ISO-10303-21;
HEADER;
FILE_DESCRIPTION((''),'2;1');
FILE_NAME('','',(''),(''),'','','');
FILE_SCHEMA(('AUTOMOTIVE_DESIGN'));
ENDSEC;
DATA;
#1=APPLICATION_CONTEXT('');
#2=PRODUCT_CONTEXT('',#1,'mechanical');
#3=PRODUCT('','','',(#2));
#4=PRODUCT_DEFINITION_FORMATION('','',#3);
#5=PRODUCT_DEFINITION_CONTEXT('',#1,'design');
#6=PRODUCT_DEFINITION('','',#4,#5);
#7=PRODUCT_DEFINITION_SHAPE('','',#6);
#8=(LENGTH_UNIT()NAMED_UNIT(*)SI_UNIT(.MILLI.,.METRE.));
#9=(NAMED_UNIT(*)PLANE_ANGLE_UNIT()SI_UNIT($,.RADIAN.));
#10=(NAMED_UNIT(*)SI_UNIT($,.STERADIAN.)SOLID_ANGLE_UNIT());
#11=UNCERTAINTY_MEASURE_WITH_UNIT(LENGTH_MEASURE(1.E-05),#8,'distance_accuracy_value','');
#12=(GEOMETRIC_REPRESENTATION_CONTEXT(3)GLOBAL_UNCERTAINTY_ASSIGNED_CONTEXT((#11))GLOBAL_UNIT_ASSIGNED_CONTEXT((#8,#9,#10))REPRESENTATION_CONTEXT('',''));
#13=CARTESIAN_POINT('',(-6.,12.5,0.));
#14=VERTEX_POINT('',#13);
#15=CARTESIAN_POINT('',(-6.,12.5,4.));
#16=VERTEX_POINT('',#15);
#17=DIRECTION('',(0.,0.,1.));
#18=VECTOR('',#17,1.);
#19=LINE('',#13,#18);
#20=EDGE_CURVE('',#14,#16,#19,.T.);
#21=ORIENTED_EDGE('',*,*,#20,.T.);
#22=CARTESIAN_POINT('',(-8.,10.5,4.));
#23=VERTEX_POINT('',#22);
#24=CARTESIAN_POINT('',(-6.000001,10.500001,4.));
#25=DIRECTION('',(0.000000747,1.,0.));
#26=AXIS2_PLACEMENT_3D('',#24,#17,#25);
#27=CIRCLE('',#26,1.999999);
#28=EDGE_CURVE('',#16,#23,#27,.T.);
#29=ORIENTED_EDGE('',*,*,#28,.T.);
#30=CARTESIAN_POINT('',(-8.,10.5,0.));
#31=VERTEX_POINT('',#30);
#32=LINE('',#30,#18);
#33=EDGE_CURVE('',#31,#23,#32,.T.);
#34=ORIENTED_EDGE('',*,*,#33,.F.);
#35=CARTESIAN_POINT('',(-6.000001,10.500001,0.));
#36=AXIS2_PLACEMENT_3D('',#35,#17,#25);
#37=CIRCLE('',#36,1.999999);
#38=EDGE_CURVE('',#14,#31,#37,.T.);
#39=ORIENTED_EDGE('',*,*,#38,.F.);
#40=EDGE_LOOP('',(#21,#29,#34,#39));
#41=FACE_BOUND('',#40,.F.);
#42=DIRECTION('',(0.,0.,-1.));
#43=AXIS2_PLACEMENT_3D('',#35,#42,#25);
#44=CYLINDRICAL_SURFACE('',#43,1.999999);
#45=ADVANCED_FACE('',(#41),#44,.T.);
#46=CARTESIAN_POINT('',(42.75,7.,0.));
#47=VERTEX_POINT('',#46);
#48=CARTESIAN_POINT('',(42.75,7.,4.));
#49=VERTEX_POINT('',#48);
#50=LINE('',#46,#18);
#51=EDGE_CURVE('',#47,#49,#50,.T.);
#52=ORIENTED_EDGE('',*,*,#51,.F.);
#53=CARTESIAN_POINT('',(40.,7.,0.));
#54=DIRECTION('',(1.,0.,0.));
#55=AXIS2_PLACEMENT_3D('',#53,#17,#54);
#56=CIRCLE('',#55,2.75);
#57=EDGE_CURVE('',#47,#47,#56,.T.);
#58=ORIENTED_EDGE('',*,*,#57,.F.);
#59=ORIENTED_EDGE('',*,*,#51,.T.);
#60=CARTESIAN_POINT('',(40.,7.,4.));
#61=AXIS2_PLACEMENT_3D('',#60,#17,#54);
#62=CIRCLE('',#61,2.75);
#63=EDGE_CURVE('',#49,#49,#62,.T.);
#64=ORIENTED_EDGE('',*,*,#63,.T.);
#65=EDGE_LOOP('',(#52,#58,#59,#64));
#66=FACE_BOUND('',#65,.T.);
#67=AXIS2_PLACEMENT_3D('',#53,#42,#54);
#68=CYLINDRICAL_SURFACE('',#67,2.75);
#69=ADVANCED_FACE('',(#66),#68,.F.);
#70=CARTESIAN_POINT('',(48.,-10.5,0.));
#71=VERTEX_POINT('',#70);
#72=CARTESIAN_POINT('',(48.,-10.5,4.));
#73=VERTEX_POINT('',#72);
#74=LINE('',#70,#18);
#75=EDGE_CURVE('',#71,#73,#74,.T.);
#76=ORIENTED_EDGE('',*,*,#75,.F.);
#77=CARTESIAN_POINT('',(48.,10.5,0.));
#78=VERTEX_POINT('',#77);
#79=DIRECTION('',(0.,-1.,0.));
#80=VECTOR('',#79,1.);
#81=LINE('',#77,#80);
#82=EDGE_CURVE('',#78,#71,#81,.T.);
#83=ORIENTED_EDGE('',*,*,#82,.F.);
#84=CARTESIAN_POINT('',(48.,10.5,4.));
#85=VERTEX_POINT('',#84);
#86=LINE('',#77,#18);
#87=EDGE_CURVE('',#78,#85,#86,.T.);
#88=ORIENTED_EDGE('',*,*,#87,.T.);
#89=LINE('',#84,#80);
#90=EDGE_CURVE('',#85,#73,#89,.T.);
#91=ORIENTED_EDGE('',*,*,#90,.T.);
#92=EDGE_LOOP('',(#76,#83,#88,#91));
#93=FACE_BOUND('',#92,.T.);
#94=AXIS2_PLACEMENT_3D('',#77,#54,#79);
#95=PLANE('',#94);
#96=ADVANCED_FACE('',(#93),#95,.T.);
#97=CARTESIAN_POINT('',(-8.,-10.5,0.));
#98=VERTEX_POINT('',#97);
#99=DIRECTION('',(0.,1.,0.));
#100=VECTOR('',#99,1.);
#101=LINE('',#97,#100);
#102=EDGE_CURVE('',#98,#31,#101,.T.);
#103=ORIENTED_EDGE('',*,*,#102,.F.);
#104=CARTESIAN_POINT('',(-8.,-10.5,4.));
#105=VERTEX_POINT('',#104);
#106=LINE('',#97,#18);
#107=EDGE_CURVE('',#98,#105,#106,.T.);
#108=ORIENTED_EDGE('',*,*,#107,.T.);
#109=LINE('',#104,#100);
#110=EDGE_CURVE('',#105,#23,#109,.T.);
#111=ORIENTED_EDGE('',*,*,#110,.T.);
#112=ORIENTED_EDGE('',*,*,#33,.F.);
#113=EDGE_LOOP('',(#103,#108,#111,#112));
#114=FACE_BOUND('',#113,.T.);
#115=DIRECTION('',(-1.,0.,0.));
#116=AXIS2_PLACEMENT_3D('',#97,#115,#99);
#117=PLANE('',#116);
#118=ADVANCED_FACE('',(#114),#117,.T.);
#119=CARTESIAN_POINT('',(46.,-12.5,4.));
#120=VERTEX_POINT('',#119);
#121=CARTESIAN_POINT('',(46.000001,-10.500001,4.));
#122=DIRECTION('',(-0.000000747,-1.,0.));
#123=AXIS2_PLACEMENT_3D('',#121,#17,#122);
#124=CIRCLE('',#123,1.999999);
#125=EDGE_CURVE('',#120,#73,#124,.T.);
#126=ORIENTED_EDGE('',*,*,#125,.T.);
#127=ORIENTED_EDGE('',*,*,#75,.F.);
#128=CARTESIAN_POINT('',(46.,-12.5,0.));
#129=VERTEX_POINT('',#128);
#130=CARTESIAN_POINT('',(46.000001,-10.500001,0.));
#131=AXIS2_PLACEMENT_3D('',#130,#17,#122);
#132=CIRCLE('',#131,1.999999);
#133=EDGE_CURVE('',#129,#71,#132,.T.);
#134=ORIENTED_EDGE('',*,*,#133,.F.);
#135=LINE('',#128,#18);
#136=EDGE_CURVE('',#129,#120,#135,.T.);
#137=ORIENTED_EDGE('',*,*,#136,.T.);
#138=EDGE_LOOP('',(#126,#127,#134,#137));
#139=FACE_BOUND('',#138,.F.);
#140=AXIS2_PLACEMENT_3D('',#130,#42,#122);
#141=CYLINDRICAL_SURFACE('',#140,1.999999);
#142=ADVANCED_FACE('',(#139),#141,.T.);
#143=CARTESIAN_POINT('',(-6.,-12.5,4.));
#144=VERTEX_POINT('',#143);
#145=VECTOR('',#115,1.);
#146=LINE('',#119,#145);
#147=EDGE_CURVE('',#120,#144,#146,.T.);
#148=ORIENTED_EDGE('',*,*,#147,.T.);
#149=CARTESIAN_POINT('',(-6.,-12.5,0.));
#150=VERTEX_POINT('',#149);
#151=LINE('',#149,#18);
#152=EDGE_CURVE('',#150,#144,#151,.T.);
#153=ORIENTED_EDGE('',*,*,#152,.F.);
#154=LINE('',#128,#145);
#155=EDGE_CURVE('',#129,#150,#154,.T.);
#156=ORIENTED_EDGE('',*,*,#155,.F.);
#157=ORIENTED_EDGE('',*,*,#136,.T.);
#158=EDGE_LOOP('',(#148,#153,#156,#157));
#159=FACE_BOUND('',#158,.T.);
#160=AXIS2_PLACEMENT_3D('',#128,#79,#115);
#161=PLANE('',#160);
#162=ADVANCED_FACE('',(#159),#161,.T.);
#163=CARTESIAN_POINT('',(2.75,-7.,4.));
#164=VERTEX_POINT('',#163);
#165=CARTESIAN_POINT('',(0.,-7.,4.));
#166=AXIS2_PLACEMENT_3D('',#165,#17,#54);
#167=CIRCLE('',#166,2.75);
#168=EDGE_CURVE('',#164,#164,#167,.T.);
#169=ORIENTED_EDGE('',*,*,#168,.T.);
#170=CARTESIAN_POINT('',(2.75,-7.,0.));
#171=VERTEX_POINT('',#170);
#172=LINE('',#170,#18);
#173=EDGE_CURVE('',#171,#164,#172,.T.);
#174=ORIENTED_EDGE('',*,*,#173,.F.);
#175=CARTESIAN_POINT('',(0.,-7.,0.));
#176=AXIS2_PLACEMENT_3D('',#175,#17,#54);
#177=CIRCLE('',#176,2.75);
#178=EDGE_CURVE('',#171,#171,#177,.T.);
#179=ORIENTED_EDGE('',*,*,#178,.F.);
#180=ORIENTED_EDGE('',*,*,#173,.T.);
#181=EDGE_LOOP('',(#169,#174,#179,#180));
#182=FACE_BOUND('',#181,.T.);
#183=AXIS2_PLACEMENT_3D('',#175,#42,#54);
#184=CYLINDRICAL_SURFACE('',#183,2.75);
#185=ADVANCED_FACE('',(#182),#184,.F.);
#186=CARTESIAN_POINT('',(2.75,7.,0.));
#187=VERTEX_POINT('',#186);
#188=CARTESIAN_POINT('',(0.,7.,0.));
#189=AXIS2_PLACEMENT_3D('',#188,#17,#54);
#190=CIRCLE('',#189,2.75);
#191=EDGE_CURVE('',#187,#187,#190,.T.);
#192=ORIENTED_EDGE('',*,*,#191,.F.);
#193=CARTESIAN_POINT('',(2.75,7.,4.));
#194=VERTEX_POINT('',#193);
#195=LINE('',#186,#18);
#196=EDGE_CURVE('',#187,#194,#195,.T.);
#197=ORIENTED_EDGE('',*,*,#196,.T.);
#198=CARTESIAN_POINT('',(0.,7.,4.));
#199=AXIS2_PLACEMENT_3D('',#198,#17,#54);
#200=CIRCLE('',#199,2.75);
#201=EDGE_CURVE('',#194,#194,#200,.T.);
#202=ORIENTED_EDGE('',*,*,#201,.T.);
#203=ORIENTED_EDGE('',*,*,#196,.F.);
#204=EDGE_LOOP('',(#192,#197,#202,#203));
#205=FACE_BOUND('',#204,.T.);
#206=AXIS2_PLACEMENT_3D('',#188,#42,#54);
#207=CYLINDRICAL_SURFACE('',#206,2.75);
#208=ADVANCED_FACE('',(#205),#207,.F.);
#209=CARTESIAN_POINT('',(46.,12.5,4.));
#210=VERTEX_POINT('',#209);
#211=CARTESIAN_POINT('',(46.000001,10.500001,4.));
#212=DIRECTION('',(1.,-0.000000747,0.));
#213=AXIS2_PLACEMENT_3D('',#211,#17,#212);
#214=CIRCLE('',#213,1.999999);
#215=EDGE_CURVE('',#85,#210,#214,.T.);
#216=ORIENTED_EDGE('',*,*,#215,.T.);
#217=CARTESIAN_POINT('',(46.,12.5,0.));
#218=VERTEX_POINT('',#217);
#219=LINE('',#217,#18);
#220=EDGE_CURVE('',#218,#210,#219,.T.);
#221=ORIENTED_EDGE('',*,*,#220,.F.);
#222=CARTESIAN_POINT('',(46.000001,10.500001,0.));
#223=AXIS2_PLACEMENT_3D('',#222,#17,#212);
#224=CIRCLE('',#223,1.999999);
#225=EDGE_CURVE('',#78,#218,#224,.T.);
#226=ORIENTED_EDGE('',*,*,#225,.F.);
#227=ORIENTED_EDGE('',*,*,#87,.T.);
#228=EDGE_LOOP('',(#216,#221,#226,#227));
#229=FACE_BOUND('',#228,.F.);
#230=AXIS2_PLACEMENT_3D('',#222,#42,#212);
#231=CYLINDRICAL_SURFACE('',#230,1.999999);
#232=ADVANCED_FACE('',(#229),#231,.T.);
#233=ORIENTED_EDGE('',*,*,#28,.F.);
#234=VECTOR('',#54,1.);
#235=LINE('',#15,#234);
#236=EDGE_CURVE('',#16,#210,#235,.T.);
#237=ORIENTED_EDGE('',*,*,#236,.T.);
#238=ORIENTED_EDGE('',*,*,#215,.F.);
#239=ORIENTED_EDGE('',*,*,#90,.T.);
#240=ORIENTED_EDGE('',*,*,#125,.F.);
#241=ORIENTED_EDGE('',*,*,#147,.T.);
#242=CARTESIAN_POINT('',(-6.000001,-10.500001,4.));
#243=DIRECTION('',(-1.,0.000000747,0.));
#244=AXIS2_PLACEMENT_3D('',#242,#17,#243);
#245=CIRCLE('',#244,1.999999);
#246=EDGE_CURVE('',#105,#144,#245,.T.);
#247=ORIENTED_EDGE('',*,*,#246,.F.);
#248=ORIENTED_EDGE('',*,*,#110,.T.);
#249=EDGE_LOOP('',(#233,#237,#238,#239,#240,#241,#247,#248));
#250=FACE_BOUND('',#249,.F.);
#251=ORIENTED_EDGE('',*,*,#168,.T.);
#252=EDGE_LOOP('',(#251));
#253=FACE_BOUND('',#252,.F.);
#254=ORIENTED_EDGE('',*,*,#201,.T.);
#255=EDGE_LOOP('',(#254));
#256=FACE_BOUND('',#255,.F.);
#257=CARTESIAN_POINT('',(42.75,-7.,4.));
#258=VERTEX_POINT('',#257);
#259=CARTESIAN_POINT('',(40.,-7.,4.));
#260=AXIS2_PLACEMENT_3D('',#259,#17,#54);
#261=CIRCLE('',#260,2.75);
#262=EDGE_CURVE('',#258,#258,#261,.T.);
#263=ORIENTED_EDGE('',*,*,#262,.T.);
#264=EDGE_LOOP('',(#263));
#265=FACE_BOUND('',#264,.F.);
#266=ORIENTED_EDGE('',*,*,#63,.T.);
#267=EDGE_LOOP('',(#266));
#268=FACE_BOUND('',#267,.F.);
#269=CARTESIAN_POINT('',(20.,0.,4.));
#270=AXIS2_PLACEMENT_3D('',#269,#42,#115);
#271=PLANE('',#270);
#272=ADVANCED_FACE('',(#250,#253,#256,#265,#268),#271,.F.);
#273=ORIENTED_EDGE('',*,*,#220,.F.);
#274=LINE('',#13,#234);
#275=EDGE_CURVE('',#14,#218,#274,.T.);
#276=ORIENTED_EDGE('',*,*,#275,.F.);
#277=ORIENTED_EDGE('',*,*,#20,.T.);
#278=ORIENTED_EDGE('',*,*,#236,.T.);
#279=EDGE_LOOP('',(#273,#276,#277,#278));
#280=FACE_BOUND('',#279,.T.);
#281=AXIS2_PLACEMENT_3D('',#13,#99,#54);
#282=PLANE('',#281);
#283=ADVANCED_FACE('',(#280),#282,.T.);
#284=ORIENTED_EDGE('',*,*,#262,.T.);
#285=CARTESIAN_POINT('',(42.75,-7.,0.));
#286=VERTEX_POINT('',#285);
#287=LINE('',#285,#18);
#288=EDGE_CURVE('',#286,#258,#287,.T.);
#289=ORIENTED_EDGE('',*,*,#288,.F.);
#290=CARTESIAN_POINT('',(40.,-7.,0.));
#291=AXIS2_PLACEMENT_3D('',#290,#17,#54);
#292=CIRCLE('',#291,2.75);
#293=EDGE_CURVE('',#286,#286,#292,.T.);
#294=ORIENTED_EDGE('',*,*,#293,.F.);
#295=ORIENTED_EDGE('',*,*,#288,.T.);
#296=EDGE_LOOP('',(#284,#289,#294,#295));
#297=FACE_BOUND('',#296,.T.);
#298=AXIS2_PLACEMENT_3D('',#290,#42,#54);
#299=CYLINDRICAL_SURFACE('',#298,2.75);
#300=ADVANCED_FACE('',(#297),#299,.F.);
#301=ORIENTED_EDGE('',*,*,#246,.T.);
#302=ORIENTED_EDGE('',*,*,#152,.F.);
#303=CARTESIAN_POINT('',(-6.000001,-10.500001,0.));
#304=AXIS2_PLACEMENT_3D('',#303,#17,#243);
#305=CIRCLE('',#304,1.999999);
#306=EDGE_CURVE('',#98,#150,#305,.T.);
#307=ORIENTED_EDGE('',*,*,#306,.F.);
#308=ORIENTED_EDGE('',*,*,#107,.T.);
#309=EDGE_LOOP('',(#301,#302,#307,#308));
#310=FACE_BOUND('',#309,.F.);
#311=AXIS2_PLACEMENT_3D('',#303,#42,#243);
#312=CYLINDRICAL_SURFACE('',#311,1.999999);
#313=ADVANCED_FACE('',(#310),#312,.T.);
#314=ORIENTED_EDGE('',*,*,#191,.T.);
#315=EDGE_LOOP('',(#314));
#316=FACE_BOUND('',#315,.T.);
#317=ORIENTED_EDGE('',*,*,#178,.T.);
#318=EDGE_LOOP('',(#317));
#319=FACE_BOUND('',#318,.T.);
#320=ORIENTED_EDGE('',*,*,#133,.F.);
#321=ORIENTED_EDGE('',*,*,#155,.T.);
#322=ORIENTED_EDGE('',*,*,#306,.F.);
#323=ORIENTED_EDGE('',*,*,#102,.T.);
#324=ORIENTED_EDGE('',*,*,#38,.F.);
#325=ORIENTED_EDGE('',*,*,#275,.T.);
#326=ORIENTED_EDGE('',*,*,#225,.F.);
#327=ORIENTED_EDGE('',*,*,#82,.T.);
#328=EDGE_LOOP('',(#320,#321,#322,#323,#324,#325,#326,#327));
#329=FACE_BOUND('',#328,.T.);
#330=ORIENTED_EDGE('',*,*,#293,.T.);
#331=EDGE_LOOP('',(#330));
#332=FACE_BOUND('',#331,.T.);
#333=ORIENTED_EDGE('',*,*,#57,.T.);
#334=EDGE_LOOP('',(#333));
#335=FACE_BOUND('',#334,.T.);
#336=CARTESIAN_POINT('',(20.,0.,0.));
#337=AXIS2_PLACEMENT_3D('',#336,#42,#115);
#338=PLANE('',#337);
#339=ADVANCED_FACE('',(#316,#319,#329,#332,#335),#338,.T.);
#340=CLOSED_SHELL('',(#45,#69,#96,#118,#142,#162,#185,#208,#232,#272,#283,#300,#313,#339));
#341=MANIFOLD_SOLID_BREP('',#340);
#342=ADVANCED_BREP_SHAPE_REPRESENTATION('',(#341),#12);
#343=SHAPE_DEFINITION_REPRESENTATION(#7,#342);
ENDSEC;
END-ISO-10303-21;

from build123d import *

# Parameters (mm, degrees)
SKETCH_R  = 2.75
PAD_DEPTH = 4


with BuildPart() as part:
    # Sketch → Pad (new body)
    with BuildSketch(Plane.XY):
        with BuildLine():
            Line((-6, 12.5), (46, 12.5))
            ThreePointArc((48, 10.5), (47.414214, 11.914214), (46, 12.5))
            Line((48, 10.5), (48, -10.5))
            ThreePointArc((46, -12.5), (47.414214, -11.914214), (48, -10.5))
            Line((46, -12.5), (-6, -12.5))
            ThreePointArc((-8, -10.5), (-7.414214, -11.914214), (-6, -12.5))
            Line((-8, -10.5), (-8, 10.5))
            ThreePointArc((-6, 12.5), (-7.414214, 11.914214), (-8, 10.5))
        make_face()
        with Locations((0, 7)):
            Circle(SKETCH_R, mode=Mode.SUBTRACT)
        with Locations((0, -7)):
            Circle(SKETCH_R, mode=Mode.SUBTRACT)
        with Locations((40, 7)):
            Circle(SKETCH_R, mode=Mode.SUBTRACT)
        with Locations((40, -7)):
            Circle(SKETCH_R, mode=Mode.SUBTRACT)
    extrude(amount=PAD_DEPTH)


solid = part.part
